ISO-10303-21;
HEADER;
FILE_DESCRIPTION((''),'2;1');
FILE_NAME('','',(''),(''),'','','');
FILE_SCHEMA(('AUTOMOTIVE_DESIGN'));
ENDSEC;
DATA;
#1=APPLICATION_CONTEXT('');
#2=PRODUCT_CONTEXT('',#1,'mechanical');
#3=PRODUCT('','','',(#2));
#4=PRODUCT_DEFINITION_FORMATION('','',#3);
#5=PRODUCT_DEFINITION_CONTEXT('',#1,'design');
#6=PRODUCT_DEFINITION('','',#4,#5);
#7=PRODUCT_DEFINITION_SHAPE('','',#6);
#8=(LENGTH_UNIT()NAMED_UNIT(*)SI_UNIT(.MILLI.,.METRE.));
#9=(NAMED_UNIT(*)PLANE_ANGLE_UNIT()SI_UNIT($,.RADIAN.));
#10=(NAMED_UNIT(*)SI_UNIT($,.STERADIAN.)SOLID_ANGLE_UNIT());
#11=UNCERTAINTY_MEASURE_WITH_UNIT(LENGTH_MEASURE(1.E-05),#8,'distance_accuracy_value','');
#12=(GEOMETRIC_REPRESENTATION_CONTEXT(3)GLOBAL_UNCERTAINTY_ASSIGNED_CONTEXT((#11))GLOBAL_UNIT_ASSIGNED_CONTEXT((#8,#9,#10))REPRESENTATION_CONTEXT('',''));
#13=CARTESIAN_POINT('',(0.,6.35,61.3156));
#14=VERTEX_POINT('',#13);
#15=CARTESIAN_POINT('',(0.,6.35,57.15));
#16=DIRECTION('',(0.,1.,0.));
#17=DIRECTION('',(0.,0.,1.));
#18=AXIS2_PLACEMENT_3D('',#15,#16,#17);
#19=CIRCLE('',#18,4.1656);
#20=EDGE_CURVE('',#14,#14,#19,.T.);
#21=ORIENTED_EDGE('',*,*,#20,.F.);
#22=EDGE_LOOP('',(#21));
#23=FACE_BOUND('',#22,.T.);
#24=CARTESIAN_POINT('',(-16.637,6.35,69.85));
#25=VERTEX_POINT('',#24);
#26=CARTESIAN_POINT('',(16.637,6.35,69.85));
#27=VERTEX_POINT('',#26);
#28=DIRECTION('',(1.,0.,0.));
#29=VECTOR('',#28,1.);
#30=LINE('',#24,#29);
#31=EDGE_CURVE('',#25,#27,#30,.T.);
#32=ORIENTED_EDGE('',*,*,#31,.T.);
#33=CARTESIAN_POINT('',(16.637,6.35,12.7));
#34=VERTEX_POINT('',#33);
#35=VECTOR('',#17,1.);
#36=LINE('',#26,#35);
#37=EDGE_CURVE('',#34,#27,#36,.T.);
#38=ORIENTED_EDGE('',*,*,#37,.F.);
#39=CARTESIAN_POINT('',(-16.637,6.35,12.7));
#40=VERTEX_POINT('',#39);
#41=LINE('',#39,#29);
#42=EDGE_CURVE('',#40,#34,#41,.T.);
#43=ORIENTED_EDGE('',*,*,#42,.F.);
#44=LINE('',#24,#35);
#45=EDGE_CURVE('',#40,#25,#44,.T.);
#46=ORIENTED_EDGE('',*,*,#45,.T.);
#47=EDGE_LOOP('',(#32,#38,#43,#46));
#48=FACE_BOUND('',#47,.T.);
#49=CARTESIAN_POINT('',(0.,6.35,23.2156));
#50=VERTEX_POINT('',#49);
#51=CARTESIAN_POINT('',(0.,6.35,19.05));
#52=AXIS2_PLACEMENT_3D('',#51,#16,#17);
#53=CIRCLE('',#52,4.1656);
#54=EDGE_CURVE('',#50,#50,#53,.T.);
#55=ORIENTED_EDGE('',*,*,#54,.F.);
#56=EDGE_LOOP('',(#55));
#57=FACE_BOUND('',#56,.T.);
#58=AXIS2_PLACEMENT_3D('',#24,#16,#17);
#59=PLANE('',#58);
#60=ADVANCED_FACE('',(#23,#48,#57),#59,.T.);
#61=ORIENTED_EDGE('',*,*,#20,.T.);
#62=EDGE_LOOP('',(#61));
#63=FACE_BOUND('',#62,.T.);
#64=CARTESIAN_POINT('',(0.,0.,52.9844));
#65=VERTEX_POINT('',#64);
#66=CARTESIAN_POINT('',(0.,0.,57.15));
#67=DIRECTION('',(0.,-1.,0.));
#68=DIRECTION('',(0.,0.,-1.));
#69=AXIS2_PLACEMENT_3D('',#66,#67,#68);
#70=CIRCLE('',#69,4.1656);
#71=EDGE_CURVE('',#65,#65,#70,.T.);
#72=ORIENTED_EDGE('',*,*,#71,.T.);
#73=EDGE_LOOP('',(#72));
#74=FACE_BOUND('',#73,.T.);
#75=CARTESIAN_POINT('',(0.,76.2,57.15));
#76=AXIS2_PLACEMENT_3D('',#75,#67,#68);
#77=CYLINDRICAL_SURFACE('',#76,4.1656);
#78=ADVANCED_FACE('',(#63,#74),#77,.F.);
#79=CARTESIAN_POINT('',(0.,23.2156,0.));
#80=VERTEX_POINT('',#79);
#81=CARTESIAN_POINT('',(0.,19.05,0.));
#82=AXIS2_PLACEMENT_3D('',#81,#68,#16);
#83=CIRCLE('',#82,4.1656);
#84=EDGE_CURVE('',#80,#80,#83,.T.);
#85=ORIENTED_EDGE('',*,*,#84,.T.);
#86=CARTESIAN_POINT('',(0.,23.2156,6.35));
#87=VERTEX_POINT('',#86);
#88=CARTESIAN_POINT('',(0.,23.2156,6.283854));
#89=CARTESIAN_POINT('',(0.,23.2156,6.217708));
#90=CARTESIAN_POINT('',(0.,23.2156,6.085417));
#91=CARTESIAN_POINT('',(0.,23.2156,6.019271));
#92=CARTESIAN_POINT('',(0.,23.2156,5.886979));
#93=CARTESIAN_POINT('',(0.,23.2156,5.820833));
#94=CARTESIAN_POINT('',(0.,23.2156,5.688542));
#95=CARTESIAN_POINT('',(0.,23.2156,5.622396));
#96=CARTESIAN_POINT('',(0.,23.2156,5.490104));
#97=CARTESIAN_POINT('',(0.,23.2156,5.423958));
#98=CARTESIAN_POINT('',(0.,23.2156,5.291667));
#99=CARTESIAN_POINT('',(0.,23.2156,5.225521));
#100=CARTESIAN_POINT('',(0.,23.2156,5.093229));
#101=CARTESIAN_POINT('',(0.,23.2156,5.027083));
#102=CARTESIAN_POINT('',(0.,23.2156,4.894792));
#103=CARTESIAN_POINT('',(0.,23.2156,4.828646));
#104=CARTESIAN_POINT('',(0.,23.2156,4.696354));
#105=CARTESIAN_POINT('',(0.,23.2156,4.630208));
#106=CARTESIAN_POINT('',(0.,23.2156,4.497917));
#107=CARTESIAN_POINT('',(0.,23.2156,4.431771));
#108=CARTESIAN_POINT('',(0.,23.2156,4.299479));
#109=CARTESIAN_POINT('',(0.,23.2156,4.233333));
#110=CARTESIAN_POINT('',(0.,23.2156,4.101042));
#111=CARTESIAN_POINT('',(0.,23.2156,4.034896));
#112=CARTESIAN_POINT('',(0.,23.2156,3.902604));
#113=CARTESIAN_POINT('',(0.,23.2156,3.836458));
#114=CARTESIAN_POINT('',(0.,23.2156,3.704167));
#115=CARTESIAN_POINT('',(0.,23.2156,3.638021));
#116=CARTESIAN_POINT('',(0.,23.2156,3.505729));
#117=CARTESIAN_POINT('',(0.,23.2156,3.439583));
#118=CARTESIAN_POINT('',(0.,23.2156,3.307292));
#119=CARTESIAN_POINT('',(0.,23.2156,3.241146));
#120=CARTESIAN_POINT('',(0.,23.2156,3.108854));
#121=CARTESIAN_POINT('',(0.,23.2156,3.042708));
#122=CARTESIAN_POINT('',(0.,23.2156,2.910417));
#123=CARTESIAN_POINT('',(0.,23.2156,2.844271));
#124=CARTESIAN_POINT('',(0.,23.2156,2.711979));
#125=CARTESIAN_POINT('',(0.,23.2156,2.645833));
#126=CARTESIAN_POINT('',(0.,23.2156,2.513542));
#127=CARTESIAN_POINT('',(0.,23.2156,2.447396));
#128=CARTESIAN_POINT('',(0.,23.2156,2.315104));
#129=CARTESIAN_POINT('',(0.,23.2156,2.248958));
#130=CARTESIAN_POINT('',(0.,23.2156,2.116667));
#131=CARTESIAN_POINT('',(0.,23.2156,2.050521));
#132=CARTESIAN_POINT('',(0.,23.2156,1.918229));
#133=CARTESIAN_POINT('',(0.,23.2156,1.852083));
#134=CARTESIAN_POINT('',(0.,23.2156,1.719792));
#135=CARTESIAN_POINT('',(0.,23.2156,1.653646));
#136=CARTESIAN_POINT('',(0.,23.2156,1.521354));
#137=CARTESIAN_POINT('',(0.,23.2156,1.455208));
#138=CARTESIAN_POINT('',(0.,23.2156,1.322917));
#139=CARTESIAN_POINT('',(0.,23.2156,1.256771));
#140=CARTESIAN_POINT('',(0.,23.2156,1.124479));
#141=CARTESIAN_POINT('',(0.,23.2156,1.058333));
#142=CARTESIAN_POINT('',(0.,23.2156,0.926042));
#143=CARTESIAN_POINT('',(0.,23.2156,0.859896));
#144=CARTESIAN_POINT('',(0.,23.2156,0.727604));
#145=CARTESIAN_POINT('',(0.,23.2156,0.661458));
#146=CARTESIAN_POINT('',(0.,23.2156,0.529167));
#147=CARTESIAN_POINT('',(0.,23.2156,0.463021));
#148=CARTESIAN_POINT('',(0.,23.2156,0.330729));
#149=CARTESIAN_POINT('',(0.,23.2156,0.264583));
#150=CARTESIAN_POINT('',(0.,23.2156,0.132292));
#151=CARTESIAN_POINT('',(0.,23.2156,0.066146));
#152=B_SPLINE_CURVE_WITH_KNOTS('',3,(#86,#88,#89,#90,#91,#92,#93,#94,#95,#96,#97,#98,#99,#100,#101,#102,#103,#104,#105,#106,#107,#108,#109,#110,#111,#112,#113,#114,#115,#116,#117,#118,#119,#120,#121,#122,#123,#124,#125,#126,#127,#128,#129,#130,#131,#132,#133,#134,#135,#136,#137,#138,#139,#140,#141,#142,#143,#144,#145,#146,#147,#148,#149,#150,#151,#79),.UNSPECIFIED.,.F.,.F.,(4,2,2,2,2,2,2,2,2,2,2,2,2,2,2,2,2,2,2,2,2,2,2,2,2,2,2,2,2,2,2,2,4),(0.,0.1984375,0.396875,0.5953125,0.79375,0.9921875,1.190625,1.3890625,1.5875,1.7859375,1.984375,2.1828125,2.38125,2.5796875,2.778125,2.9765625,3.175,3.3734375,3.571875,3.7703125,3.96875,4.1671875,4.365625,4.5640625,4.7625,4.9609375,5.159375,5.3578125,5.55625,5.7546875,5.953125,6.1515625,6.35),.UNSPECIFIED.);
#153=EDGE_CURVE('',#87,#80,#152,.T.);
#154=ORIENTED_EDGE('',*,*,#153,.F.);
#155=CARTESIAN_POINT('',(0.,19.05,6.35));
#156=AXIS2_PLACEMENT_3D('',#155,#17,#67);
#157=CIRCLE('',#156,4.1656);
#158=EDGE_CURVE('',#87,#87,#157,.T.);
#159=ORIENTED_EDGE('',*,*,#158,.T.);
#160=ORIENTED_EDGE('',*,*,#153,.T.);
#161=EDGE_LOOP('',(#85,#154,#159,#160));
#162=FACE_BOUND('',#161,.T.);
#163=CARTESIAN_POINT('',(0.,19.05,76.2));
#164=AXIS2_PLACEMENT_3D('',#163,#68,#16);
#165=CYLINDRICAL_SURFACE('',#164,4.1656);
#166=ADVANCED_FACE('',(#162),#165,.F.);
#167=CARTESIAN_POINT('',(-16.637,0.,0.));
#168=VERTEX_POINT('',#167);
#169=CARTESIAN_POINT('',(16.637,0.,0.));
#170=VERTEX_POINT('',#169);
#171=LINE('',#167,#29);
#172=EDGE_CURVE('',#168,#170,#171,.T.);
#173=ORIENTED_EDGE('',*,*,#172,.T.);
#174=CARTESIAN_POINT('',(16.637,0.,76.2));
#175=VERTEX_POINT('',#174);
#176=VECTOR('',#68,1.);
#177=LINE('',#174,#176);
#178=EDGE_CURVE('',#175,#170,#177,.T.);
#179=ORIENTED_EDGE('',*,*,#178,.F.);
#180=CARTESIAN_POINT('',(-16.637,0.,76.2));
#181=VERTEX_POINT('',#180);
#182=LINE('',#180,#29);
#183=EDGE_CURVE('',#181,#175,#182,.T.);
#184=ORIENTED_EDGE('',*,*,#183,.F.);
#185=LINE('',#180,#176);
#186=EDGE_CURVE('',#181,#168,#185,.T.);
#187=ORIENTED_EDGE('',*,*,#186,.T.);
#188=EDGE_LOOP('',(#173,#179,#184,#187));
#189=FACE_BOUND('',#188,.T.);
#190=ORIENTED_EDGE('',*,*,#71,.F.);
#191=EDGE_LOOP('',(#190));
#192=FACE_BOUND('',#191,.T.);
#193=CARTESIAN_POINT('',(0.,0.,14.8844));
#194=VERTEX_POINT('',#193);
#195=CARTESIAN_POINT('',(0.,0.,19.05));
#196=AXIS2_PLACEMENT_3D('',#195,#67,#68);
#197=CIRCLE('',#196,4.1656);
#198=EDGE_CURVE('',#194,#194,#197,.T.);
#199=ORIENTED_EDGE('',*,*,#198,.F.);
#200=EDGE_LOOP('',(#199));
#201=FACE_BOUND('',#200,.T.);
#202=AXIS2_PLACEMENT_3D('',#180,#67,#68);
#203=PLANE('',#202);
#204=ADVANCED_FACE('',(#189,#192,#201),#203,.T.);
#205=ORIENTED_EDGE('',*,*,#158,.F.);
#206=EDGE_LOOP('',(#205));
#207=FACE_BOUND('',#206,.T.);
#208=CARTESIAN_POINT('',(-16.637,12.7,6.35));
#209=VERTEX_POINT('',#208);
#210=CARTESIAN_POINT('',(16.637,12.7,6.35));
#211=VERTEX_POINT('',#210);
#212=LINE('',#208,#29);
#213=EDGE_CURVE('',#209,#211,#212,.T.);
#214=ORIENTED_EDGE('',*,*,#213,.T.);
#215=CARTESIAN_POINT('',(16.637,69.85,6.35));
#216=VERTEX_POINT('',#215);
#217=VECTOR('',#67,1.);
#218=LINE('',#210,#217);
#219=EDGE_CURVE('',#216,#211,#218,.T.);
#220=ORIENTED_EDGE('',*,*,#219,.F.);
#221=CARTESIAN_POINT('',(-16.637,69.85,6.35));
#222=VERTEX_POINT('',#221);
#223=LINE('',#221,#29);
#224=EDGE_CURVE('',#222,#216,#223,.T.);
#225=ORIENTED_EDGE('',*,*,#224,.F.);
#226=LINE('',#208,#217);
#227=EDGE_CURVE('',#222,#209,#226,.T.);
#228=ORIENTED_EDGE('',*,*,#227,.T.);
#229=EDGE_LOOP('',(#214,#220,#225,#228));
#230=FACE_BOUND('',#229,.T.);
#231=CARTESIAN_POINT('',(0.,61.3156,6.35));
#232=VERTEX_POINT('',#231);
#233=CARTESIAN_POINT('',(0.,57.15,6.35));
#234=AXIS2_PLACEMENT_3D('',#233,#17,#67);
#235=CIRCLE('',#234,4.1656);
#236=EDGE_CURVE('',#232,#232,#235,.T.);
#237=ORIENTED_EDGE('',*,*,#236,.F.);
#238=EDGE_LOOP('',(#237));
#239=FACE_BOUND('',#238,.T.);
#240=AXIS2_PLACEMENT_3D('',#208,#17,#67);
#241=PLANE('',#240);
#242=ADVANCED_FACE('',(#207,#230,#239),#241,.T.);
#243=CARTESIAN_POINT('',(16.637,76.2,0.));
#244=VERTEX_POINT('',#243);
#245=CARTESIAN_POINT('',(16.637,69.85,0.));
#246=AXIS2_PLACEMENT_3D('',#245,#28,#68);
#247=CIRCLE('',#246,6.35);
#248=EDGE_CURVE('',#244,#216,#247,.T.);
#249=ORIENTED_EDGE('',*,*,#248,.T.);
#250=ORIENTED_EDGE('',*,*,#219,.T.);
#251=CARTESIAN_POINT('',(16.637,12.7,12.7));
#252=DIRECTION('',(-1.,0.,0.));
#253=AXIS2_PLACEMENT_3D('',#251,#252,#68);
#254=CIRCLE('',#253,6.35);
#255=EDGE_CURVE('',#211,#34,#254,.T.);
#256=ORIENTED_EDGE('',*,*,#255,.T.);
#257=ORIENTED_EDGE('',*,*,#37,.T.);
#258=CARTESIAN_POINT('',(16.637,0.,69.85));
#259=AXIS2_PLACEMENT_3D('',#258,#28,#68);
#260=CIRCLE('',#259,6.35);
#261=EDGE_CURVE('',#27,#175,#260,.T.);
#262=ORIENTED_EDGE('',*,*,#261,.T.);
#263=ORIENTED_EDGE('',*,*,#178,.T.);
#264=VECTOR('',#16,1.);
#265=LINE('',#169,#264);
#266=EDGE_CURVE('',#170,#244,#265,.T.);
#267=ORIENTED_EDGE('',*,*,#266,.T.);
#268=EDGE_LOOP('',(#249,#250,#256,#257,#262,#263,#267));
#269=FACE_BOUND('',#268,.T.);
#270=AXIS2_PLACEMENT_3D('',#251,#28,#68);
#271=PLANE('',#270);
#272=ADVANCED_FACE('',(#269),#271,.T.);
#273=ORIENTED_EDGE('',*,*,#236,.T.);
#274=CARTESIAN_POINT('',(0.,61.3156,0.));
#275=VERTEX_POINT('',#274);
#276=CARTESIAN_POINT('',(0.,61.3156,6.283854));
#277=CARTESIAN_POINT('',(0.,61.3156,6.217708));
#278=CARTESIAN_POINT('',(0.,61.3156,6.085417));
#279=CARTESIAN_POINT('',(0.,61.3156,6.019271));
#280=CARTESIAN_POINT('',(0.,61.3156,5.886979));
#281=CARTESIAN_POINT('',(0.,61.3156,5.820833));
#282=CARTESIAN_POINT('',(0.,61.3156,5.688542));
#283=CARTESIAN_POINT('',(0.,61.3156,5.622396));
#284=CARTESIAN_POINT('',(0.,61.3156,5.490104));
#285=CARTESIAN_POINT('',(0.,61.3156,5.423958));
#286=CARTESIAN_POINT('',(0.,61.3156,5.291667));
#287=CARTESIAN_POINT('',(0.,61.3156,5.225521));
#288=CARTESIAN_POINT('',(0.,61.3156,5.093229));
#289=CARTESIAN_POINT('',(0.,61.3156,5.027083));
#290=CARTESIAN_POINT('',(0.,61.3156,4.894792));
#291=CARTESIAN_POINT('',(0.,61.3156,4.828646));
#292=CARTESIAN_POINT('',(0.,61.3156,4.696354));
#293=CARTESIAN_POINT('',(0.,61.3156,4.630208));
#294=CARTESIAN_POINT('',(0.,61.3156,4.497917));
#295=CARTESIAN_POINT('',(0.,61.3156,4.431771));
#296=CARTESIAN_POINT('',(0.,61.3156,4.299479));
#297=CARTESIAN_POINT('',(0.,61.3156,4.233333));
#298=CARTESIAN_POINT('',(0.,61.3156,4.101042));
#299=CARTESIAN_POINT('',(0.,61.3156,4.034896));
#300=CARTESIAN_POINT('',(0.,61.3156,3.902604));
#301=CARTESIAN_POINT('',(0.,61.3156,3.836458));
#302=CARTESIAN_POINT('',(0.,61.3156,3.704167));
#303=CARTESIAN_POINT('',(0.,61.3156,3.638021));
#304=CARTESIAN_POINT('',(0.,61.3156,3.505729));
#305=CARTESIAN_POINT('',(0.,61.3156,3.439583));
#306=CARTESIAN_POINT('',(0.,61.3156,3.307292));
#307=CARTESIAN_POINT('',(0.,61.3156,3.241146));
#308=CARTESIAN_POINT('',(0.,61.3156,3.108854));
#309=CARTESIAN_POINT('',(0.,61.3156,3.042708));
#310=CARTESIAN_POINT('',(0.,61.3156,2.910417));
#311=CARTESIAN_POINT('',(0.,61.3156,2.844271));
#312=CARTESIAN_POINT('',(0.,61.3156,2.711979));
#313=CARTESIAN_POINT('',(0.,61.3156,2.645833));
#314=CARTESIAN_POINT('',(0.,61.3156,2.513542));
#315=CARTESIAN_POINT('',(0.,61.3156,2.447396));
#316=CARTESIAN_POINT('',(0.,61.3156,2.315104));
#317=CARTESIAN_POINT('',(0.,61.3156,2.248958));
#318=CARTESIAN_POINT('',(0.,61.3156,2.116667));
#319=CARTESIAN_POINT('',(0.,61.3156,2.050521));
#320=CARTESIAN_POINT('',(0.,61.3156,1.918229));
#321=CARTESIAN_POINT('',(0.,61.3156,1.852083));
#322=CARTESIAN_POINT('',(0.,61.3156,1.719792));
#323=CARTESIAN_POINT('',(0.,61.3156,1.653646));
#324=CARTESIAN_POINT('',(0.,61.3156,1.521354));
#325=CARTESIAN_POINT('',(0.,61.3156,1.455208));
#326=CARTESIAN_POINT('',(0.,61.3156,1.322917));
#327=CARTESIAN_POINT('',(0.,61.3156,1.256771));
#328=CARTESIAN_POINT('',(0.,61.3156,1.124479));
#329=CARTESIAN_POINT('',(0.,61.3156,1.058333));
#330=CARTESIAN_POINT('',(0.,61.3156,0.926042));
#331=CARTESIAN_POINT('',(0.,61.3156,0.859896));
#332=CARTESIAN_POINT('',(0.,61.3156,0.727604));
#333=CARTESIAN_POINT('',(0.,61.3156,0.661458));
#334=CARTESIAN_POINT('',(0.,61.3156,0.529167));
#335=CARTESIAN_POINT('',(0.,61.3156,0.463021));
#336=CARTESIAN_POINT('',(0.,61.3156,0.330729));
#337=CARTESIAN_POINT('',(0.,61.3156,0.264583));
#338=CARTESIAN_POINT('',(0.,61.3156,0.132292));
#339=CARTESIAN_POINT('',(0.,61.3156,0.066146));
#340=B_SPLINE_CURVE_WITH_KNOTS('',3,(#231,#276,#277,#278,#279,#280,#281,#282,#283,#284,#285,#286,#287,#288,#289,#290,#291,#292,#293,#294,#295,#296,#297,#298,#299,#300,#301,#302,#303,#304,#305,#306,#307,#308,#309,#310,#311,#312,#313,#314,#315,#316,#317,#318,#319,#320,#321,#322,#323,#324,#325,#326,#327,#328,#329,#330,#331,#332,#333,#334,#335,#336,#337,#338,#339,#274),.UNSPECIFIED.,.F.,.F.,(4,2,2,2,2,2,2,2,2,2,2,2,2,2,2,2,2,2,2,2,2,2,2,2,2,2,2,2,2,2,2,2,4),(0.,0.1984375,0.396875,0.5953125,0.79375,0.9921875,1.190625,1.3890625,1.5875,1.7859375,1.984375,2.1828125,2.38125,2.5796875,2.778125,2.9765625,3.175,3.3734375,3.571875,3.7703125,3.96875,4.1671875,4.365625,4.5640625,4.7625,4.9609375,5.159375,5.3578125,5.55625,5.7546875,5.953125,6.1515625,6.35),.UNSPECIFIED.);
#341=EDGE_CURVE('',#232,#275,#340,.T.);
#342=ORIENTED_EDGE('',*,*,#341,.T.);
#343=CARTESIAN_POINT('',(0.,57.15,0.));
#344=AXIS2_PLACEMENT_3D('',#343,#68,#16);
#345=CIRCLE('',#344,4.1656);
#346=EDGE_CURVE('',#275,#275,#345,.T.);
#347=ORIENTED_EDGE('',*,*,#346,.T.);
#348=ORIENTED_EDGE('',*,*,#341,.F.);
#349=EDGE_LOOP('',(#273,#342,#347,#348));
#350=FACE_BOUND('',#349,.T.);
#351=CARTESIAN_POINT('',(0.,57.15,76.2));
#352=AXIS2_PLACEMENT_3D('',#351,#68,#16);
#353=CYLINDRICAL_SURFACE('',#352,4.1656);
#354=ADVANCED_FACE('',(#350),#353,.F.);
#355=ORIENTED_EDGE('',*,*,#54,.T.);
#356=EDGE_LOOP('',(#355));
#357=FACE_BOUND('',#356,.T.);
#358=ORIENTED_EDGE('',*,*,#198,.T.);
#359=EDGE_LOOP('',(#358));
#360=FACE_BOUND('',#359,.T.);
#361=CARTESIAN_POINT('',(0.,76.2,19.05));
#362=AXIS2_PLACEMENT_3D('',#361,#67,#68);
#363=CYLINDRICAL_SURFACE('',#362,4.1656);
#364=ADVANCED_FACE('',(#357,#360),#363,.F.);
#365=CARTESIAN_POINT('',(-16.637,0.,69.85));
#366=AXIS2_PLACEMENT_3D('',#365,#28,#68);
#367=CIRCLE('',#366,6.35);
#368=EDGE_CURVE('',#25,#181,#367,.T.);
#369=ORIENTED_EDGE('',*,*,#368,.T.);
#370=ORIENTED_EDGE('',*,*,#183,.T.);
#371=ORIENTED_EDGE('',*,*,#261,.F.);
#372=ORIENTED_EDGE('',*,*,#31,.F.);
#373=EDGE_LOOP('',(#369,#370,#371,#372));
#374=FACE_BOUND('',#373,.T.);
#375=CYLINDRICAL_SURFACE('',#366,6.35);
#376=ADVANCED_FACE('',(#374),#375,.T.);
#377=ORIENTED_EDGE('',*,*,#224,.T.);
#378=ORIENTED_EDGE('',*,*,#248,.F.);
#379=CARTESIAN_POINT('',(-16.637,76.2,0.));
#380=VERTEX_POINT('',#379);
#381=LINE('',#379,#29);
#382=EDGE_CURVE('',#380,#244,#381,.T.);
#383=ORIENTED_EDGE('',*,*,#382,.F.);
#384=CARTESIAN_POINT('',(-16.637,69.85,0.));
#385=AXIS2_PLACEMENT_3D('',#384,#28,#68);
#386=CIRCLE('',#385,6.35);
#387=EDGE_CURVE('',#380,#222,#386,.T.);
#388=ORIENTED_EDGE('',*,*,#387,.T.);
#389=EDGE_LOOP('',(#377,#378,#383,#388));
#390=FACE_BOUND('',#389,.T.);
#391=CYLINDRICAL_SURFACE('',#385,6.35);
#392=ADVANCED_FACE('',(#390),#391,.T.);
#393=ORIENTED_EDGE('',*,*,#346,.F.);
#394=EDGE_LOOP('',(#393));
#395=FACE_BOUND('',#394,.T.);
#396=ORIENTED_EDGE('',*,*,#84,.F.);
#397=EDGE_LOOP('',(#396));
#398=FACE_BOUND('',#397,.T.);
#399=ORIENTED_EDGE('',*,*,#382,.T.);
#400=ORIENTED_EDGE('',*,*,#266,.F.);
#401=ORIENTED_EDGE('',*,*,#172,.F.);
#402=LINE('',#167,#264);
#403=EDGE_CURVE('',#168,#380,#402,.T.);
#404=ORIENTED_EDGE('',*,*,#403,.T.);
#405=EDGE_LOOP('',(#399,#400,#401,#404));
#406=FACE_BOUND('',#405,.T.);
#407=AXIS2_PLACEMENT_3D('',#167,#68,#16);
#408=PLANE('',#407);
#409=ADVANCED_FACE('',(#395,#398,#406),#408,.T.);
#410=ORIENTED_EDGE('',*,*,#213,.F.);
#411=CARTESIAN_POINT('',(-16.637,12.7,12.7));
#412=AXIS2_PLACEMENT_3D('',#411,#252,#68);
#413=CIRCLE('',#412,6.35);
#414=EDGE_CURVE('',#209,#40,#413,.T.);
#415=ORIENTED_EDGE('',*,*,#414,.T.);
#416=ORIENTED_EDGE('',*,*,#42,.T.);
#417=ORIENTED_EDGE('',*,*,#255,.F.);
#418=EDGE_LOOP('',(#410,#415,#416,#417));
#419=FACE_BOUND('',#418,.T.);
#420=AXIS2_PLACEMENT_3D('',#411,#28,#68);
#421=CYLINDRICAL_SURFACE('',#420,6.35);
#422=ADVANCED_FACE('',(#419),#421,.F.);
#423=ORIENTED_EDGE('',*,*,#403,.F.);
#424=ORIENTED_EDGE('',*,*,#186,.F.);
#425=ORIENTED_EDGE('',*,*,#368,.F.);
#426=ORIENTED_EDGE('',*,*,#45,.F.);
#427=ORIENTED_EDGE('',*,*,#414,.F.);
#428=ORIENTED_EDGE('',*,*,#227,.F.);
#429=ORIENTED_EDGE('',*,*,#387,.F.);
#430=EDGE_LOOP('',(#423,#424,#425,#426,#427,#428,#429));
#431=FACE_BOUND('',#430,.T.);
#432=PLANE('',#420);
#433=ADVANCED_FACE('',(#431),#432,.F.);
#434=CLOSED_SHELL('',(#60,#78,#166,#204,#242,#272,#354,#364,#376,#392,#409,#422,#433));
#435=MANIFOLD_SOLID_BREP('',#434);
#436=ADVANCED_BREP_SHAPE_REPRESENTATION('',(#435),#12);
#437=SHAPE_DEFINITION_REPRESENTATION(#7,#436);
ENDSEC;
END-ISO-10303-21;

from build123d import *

# Parameters (mm, degrees)
BASE_EXTRUDE_DEPTH       = 16.637
SKETCH2_R                = 4.1656
HOLE1_DEPTH              = 110.03976233
HOLE1_PATTERN_COUNT      = 2
HOLE1_PATTERN_PITCH      = 38.1
HOLE1_PATTERN_COUNT_DIR2 = 2
HOLE1_PATTERN_PITCH_DIR2 = 38.1
SKETCH3_R                = 4.1656
HOLE2_DEPTH              = 110.03976233
HOLE2_PATTERN_COUNT      = 2
HOLE2_PATTERN_PITCH      = 38.1
HOLE2_PATTERN_COUNT_DIR2 = 2
HOLE2_PATTERN_PITCH_DIR2 = 38.1


with BuildPart() as part:
    # Sketch1 → Base Extrude (new, symmetric)
    with BuildSketch(Plane(origin=(0, 0, 0), x_dir=(0, 0, -1), z_dir=(1, 0, 0))):
        with BuildLine():
            Line((-6.35, 12.7), (-6.35, 69.85))
            ThreePointArc((-6.35, 69.85), (-4.490128061, 74.340128061), (0, 76.2))
            Line((0, 76.2), (0, 0))
            Line((0, 0), (-76.2, 0))
            ThreePointArc((-76.2, 0), (-74.340128061, 4.490128061), (-69.85, 6.35))
            Line((-69.85, 6.35), (-12.7, 6.35))
            ThreePointArc((-12.7, 6.35), (-8.209871939, 8.209871939), (-6.35, 12.7))
        make_face()
    extrude(amount=BASE_EXTRUDE_DEPTH, both=True)

    # Sketch2 → Hole1 (cut, through all)
    with BuildSketch(Plane.XZ):
        with Locations(Location((0, 19.05, 0), (0, 0, 270))):
            Circle(SKETCH2_R)
    hole1 = extrude(amount=-HOLE1_DEPTH, mode=Mode.SUBTRACT)

    # Hole1 Pattern: Hole1 2 × 2
    with Locations(*[(i * HOLE1_PATTERN_PITCH, 0, j * HOLE1_PATTERN_PITCH_DIR2) for i in range(HOLE1_PATTERN_COUNT) for j in range(HOLE1_PATTERN_COUNT_DIR2) if (i, j) != (0, 0)]):
        add(hole1, mode=Mode.SUBTRACT)

    # Sketch3 → Hole2 (cut, through all)
    with BuildSketch(Plane(origin=(0, 0, 0), x_dir=(-1, 0, 0), z_dir=(0, 0, -1))):
        with Locations(Location((0, 19.05, 0), (0, 0, 90))):
            Circle(SKETCH3_R)
    hole2 = extrude(amount=-HOLE2_DEPTH, mode=Mode.SUBTRACT)

    # Hole2 Pattern: Hole2 2 × 2
    with Locations(*[(i * HOLE2_PATTERN_PITCH, j * HOLE2_PATTERN_PITCH_DIR2, 0) for i in range(HOLE2_PATTERN_COUNT) for j in range(HOLE2_PATTERN_COUNT_DIR2) if (i, j) != (0, 0)]):
        add(hole2, mode=Mode.SUBTRACT)


solid = part.part
